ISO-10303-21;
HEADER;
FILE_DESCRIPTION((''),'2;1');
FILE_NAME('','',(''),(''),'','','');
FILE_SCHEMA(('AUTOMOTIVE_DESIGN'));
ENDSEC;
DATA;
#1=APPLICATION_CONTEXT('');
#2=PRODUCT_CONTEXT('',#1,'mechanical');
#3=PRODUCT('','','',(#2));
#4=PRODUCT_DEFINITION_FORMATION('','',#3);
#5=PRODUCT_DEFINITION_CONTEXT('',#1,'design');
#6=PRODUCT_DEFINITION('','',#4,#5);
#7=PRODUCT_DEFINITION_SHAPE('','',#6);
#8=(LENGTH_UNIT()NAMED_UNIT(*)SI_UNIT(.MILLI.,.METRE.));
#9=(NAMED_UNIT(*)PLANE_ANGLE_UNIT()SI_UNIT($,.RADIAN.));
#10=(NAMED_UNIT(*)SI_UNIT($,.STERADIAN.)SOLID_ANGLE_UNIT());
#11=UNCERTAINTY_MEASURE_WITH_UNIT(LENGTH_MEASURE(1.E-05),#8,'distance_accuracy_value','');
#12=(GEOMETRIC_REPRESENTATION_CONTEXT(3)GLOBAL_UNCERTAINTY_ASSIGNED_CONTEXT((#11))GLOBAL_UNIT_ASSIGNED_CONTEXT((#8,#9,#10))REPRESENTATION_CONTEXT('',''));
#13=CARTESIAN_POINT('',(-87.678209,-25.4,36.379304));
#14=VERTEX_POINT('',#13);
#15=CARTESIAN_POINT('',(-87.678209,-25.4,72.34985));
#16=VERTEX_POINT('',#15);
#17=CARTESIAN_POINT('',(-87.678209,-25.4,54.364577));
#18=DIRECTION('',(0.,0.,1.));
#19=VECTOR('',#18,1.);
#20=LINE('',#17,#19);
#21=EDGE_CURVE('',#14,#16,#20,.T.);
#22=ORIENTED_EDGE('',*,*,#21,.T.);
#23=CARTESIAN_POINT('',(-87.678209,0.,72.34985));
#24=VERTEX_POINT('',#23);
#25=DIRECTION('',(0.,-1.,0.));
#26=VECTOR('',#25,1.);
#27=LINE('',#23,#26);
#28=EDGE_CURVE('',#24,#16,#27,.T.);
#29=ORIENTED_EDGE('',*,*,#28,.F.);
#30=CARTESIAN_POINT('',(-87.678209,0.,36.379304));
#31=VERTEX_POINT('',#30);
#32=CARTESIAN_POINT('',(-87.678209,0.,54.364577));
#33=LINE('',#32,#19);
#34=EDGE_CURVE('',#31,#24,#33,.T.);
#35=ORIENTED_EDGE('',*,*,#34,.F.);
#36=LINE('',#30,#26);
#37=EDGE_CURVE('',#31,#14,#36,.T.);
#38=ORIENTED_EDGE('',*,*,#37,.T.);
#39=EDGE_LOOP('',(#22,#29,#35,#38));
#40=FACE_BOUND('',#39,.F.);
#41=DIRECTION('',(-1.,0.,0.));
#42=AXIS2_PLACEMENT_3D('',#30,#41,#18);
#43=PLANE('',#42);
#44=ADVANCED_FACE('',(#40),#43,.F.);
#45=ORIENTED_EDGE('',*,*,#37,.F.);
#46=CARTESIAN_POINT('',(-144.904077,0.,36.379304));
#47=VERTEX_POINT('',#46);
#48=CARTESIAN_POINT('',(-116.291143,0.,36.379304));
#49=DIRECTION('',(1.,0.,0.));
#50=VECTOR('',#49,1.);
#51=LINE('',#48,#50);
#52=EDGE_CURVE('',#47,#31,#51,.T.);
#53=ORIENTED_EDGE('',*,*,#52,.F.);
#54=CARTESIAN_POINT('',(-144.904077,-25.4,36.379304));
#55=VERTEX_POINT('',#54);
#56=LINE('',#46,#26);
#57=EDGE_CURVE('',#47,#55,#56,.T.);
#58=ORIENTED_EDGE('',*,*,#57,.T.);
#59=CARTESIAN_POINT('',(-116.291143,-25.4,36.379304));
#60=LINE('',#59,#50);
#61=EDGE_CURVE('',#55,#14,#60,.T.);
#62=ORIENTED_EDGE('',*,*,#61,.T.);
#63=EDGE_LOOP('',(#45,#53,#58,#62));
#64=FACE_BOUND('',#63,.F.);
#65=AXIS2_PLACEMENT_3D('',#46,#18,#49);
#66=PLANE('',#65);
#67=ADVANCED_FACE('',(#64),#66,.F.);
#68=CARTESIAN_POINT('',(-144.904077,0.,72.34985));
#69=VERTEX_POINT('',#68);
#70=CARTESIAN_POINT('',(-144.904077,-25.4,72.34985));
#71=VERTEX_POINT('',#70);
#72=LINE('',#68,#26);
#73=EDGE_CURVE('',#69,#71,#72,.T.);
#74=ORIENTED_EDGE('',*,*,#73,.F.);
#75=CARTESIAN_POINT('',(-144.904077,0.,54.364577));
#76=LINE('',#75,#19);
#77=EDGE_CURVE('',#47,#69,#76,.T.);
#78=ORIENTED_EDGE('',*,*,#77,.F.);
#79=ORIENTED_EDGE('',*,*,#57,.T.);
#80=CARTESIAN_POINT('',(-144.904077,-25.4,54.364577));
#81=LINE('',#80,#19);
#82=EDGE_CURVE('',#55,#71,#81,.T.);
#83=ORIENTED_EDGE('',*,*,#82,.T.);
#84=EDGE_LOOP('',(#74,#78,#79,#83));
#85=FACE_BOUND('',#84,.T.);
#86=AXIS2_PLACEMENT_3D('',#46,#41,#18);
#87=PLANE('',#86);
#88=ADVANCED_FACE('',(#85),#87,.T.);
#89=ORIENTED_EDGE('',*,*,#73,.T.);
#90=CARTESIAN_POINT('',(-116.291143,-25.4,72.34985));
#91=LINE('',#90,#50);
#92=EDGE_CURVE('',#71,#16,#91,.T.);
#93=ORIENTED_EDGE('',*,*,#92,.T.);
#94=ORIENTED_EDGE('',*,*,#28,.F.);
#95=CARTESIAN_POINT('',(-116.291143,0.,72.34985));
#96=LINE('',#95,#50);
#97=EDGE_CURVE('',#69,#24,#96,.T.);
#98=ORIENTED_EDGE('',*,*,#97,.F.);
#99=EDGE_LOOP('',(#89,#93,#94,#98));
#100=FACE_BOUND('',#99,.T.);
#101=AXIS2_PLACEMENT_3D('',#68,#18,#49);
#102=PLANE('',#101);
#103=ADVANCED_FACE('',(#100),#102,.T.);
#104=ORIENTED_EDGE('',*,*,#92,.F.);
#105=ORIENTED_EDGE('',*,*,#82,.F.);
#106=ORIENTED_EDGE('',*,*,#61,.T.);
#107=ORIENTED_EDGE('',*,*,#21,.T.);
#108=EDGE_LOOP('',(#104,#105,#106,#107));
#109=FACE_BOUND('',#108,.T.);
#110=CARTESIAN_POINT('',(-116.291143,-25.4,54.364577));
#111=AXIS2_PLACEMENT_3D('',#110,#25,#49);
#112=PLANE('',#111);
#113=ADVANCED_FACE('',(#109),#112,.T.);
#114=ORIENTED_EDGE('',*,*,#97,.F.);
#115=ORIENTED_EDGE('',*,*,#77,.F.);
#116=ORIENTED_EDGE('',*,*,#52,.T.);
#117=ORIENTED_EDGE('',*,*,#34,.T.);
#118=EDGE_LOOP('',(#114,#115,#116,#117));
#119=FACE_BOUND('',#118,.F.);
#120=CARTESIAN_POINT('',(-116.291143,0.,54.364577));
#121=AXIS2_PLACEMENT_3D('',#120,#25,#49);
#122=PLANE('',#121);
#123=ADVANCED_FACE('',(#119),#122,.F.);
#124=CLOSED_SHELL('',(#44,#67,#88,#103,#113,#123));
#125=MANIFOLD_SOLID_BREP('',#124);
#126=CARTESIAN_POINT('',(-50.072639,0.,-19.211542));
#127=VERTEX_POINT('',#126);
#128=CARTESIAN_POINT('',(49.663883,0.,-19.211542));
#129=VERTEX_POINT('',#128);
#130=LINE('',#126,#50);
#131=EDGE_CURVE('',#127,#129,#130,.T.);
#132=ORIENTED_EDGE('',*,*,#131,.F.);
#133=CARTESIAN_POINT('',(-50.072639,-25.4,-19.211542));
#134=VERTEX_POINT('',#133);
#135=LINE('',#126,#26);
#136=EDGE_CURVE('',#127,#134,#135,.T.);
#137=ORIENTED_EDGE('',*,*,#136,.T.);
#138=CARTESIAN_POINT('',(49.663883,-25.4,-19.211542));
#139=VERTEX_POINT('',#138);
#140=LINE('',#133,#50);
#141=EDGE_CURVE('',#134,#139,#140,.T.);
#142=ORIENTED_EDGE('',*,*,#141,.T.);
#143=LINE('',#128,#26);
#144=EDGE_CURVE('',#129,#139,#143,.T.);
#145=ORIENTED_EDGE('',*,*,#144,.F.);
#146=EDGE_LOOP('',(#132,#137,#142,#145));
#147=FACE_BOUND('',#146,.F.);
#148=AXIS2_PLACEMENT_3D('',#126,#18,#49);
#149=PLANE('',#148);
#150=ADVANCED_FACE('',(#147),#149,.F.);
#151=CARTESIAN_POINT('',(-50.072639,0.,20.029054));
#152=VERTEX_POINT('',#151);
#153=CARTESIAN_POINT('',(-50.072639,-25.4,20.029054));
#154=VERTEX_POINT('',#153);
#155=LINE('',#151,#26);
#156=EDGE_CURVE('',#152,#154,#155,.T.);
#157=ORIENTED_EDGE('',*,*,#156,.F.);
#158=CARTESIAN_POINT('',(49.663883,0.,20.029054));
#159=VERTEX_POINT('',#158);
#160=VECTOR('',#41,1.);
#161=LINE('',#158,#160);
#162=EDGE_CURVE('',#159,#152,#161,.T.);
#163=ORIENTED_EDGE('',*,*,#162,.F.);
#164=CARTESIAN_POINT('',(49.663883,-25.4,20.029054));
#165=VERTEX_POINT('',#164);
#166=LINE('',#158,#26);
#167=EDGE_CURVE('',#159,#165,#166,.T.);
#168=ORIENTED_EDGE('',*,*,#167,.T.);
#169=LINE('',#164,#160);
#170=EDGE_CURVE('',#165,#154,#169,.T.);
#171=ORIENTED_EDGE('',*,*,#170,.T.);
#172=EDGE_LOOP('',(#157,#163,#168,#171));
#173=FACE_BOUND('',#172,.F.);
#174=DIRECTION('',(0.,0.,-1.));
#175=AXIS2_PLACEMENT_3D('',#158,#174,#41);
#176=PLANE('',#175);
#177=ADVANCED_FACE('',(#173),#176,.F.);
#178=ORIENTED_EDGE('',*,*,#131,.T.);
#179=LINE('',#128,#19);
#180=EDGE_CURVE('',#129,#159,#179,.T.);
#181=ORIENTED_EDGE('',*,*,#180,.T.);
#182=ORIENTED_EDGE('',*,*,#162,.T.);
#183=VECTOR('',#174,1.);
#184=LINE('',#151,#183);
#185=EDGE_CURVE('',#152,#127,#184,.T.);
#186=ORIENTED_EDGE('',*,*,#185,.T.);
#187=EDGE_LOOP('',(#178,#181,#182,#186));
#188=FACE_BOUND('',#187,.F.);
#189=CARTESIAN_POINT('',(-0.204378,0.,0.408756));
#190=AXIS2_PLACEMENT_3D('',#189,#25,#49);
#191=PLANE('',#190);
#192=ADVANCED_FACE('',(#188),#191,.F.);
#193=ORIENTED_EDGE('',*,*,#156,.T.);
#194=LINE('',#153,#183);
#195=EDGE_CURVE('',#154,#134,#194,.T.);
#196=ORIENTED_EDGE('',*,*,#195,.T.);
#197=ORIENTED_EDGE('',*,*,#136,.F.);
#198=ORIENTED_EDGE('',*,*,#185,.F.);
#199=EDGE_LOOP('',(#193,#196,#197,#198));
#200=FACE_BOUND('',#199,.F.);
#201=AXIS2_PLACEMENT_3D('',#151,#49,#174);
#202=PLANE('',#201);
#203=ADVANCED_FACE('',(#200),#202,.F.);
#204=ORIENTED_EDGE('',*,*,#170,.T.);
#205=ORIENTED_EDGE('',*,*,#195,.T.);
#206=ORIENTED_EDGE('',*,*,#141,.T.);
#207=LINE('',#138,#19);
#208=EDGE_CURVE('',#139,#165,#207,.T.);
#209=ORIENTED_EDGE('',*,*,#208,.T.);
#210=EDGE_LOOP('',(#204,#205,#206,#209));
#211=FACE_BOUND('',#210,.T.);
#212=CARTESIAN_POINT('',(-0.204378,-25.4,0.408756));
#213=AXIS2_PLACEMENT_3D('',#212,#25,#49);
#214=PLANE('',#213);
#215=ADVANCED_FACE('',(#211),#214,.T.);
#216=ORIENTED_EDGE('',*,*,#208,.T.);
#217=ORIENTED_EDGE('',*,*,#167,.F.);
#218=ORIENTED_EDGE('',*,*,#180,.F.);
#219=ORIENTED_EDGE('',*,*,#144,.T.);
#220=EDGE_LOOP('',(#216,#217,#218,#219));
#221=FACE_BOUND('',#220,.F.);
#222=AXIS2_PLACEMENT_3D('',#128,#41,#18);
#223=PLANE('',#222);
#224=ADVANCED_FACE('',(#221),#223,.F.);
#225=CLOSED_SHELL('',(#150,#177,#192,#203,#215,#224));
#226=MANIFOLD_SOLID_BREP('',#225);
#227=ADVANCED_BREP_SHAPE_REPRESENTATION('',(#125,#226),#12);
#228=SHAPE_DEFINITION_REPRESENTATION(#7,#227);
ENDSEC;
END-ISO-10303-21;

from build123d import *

# Parameters (mm, degrees)
F0_W     = 57.225868
F0_H     = 35.970546
F1_DEPTH = 25.4
F2_DEPTH = 25.4


with BuildPart() as f1:
    # F0 (on Front) → F1 (new body)
    with BuildSketch(Plane.XZ):
        with Locations((-116.291143, 54.364577)):
            Rectangle(F0_W, F0_H)
    extrude(amount=F1_DEPTH)

    # F0 (on Front) → F2 (join)
    with BuildSketch(Plane.XZ):
        Polygon((-50.072639, -19.211542), (49.663883, -19.211542), (49.663883, 20.029054), (-50.072639, 20.029054), (-50.072639, 4.087562), align=None)
        with Locations((-116.291143, 54.364577)):
            Rectangle(F0_W, F0_H)
    extrude(amount=F2_DEPTH)


solid = f1.part
